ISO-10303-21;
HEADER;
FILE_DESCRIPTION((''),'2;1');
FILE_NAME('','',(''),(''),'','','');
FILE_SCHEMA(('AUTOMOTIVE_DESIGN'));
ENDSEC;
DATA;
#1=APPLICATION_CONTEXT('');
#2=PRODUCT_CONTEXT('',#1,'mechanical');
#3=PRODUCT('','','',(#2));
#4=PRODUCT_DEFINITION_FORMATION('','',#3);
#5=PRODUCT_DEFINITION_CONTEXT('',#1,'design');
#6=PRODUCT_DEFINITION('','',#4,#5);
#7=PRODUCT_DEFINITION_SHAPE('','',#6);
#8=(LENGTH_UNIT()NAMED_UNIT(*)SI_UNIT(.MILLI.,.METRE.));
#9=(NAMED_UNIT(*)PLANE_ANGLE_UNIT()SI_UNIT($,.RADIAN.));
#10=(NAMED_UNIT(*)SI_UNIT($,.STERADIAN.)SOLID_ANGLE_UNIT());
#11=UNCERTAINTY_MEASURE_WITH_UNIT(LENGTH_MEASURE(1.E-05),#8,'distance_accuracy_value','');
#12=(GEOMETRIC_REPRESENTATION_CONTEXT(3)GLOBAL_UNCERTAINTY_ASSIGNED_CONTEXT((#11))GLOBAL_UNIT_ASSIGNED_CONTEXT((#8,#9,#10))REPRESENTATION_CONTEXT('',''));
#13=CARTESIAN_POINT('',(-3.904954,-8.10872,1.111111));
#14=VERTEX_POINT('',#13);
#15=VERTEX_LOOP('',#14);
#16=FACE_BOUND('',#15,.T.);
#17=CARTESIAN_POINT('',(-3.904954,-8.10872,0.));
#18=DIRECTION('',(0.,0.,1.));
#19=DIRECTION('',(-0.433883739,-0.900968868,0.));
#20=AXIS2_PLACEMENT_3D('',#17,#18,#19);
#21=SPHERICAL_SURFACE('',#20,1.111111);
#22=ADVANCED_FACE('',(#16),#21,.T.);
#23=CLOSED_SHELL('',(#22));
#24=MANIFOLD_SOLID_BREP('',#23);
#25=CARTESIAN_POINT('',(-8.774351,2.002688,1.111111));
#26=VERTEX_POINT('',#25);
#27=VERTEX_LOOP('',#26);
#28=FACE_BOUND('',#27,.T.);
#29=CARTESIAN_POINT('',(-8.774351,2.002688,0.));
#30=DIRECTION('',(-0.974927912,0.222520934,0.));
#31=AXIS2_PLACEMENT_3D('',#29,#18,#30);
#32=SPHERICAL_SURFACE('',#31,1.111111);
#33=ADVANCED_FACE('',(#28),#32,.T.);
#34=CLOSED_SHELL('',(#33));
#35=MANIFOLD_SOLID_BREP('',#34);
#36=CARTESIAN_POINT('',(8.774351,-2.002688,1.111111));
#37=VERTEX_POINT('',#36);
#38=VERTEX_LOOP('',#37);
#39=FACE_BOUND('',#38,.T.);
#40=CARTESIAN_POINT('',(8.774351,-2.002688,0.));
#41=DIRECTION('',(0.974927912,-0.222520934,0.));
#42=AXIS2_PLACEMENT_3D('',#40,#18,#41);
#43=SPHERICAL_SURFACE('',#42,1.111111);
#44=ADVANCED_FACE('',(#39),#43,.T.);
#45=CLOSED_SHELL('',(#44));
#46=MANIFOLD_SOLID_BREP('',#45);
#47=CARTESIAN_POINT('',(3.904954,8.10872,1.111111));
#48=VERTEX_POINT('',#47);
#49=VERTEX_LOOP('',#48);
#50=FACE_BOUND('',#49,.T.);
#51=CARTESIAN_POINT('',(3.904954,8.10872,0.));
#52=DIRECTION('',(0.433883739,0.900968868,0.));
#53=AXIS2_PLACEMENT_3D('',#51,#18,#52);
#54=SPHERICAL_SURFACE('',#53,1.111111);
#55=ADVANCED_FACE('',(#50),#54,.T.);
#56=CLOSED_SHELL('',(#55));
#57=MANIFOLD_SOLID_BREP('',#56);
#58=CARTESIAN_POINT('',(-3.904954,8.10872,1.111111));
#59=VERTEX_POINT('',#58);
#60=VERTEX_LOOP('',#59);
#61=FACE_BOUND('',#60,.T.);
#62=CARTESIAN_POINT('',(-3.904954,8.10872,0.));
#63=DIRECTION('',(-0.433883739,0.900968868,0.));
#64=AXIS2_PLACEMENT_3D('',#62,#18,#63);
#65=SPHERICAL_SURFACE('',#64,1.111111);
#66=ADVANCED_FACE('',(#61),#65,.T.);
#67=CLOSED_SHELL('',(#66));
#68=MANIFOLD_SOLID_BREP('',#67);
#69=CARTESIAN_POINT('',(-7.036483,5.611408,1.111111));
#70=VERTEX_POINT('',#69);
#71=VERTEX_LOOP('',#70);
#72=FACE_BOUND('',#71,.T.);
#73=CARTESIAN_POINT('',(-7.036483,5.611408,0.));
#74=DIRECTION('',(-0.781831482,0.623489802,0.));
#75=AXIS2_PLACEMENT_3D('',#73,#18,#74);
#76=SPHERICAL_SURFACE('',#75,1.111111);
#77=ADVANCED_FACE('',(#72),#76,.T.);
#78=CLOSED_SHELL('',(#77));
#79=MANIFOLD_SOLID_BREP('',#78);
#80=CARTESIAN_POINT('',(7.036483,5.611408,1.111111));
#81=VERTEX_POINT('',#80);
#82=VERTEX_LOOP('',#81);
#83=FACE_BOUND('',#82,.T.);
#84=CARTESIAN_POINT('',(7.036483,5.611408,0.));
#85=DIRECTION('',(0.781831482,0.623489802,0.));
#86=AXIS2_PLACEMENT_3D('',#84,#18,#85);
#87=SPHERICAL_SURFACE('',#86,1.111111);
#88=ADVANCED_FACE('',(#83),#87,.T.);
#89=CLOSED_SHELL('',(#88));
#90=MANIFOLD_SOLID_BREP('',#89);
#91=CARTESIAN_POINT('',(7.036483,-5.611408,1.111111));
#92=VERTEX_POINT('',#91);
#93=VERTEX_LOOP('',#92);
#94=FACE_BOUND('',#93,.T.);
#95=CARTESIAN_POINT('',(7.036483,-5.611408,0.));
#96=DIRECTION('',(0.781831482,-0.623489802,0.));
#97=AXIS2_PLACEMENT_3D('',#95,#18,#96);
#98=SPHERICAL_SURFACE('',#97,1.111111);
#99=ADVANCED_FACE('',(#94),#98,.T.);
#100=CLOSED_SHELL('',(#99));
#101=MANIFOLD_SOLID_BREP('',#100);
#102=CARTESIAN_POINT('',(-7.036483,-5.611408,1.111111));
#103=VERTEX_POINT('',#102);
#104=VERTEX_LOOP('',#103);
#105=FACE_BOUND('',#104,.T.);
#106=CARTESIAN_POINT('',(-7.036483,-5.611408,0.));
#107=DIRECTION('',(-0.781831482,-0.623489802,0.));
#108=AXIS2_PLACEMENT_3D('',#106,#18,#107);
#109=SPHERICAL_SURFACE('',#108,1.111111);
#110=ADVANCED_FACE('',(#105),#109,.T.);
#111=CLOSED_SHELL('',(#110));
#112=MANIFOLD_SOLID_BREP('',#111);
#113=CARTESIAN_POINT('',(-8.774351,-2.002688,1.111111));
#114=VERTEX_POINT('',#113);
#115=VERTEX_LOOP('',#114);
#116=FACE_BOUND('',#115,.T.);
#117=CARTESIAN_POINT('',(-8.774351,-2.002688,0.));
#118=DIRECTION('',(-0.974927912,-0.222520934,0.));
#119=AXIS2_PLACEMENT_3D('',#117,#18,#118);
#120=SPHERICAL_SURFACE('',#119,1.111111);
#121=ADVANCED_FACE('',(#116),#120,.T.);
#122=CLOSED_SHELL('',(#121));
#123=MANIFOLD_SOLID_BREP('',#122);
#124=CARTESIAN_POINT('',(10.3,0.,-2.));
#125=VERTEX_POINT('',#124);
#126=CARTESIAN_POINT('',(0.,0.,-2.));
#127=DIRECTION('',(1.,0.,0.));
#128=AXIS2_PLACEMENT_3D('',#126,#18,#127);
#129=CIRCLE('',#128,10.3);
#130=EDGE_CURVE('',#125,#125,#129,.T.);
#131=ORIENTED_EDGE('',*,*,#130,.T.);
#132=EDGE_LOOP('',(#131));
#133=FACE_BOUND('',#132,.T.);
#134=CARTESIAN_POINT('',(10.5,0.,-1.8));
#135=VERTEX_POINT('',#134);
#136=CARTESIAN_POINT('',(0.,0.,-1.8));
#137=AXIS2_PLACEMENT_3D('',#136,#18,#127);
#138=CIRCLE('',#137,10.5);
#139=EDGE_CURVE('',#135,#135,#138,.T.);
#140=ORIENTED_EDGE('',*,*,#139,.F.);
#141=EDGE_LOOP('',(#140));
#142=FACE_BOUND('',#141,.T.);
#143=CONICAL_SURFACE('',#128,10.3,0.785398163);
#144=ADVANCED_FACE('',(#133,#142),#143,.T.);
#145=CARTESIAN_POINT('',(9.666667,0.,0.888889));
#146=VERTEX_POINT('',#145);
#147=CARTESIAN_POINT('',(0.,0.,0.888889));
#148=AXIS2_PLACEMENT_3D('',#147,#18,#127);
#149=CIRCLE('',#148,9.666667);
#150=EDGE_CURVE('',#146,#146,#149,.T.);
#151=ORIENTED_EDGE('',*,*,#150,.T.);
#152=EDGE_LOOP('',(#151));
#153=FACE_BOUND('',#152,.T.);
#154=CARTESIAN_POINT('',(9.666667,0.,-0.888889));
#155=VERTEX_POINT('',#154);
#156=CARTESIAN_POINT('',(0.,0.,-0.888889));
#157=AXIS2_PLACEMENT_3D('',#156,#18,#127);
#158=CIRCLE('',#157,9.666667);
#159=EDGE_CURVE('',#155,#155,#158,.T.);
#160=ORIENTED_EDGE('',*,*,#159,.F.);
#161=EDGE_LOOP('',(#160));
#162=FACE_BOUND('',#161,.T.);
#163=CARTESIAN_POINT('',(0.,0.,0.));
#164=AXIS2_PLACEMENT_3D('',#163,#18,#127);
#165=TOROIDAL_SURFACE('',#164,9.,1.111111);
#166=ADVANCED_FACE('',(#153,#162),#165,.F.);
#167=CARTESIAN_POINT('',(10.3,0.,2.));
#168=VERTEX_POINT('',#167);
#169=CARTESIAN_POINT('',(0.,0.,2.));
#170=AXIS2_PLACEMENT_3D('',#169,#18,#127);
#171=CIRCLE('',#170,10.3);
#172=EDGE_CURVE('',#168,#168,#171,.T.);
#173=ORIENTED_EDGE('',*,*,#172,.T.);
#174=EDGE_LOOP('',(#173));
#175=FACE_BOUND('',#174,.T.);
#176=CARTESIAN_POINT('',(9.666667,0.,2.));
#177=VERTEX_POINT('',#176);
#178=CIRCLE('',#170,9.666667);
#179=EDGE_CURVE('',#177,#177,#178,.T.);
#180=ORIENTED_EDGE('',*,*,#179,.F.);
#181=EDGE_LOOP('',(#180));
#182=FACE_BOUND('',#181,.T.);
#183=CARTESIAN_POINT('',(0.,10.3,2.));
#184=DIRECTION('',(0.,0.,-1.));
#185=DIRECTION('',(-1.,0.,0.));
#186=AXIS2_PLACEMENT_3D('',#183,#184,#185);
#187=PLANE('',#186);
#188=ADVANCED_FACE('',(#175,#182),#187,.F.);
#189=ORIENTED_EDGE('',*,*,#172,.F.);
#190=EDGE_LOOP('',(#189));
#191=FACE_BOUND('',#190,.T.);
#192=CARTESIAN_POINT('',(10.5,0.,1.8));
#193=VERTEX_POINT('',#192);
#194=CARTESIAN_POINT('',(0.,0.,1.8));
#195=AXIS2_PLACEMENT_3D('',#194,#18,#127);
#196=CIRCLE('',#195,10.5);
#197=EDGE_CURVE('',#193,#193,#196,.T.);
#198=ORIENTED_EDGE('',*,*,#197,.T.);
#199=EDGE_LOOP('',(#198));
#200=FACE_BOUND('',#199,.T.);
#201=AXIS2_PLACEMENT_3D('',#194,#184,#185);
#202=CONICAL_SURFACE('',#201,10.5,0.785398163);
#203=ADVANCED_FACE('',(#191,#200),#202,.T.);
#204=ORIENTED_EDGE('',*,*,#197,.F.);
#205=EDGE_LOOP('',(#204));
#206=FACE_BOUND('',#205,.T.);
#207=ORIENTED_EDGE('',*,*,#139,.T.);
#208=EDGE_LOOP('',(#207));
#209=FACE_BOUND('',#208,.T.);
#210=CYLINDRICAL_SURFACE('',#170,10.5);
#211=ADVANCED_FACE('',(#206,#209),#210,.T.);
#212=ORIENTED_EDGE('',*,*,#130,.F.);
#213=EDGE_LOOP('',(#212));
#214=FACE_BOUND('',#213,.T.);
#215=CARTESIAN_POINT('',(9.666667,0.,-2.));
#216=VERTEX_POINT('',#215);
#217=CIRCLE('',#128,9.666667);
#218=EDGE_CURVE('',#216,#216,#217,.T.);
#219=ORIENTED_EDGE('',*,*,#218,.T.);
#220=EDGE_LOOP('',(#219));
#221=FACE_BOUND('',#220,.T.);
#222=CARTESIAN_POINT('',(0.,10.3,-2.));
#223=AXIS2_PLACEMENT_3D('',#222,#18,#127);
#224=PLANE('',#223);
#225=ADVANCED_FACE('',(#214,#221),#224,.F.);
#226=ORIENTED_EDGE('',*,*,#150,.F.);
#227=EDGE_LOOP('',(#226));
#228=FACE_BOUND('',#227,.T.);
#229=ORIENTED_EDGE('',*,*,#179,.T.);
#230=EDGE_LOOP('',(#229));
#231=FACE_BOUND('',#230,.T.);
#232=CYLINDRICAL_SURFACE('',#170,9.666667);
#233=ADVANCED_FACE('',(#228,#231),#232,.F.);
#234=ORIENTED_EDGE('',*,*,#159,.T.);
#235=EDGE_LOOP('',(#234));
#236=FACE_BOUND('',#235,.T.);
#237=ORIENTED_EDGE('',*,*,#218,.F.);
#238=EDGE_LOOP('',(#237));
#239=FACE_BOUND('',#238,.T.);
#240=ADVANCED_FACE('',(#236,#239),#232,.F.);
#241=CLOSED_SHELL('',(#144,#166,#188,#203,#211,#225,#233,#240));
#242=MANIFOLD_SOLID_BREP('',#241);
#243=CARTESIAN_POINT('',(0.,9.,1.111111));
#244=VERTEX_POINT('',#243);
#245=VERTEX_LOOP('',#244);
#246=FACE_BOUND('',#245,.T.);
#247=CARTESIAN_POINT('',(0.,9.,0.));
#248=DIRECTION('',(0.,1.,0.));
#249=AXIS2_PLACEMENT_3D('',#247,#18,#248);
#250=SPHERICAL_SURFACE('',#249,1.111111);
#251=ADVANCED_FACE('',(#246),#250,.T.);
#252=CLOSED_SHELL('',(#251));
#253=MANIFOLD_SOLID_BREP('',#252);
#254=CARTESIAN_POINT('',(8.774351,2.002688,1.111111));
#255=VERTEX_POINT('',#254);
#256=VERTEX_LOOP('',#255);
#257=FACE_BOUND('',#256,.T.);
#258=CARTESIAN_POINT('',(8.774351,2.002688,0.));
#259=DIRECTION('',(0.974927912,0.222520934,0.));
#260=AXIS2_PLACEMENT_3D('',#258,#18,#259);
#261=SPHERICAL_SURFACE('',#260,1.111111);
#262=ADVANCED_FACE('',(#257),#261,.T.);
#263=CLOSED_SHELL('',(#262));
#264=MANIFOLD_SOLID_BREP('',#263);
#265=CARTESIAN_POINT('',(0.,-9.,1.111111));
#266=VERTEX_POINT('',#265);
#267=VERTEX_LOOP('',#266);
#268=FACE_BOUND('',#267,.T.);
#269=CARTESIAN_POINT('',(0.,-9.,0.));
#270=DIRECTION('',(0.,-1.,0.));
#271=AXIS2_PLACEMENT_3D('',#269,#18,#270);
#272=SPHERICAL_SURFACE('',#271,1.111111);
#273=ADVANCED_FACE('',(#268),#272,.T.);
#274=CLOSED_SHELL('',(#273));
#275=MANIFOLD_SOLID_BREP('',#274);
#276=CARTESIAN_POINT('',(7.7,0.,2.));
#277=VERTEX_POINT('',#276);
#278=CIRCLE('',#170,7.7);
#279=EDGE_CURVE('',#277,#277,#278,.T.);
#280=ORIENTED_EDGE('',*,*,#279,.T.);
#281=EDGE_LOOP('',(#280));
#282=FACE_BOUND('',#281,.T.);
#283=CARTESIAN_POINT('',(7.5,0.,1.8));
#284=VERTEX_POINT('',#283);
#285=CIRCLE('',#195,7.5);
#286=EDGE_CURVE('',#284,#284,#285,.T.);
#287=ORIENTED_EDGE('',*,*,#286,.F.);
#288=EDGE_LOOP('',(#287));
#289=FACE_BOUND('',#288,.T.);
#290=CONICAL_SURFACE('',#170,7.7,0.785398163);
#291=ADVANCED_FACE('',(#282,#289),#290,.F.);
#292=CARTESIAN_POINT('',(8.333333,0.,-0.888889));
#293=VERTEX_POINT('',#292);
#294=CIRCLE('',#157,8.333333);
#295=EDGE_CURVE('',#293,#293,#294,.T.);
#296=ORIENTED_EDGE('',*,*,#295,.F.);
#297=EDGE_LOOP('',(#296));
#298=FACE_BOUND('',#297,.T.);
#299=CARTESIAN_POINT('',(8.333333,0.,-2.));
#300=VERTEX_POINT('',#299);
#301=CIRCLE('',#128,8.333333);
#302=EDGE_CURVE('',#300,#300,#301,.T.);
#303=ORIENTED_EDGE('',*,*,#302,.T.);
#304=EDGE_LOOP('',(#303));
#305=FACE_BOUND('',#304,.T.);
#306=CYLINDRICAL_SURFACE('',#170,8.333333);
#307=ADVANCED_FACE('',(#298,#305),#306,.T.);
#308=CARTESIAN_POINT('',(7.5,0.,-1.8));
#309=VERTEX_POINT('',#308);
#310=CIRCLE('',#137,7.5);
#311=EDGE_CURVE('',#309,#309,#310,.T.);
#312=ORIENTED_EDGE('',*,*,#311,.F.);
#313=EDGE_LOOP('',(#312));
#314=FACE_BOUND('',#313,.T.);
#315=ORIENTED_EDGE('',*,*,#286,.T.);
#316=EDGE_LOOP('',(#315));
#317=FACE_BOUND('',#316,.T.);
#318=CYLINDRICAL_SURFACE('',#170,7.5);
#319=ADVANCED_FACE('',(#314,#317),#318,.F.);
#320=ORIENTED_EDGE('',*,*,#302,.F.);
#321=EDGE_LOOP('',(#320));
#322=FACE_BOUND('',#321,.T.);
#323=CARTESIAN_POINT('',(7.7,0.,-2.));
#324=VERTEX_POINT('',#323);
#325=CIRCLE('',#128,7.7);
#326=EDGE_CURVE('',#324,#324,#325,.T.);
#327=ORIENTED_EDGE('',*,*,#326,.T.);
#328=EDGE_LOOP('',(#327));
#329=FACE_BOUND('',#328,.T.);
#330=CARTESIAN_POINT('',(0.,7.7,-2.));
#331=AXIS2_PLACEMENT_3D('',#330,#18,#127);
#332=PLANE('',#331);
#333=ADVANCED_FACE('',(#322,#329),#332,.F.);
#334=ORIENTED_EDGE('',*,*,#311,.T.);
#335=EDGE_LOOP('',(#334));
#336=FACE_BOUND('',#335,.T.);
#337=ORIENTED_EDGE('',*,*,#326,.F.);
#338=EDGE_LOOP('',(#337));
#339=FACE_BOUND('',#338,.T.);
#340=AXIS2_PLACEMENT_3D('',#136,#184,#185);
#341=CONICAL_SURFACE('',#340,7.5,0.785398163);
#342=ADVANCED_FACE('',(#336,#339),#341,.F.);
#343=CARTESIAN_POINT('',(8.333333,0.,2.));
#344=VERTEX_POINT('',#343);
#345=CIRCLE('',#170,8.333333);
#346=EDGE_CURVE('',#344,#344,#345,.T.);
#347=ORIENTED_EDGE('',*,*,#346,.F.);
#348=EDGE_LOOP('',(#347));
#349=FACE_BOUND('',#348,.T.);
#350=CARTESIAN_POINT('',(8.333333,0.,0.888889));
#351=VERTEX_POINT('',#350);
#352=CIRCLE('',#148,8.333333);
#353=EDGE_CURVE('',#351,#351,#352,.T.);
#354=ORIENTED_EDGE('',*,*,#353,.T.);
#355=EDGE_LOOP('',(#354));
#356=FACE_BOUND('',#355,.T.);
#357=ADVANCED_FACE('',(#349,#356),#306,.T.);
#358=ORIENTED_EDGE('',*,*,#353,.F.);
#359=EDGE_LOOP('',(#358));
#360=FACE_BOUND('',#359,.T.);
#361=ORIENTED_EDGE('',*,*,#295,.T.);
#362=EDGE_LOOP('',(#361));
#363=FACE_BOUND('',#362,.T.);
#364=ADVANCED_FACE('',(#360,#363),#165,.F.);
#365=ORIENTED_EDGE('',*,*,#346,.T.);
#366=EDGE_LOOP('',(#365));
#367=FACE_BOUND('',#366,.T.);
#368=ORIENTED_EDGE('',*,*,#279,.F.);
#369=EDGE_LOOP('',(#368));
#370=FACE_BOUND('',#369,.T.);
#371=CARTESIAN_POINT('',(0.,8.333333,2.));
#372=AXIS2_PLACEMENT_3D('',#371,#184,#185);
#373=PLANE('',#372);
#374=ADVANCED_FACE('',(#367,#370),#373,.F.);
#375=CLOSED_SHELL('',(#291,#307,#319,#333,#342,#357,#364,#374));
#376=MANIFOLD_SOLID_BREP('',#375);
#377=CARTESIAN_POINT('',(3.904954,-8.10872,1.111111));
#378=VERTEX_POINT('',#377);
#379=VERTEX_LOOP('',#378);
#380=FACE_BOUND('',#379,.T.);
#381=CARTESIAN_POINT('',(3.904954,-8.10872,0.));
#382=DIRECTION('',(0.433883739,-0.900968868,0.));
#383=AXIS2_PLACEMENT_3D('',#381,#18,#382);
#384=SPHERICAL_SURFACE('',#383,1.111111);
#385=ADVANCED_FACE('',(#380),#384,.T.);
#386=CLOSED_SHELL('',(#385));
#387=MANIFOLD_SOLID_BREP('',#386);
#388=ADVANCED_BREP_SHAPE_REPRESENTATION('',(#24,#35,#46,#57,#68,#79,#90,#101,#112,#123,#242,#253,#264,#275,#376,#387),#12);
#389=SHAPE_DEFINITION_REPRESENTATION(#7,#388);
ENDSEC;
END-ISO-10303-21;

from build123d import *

# Parameters (mm, degrees)
CIRPATTERN1_COUNT = 14


with BuildPart() as part:
    # Sketch5 → Revolve1 (revolve)
    with BuildSketch(Plane(origin=(0, 0, 0), x_dir=(0, 0, -1), z_dir=(1, 0, 0))):
        with BuildLine():
            Line((1.8, 10.5), (-1.8, 10.5))
            Line((-1.8, 10.5), (-2, 10.3))
            Line((-2, 10.3), (-2, 9.666666667))
            Line((-2, 9.666666667), (-0.888888889, 9.666666667))
            ThreePointArc((-0.888888889, 9.666666667), (0, 10.111111111), (0.888888889, 9.666666667))
            Line((0.888888889, 9.666666667), (2, 9.666666667))
            Line((2, 9.666666667), (2, 10.3))
            Line((2, 10.3), (1.8, 10.5))
        make_face()
    revolve(axis=Axis((0, 0, 2), (0, 0, -1)))


with BuildPart() as body_2:
    # Sketch3 → Revolve3 (revolve)
    with BuildSketch(Plane(origin=(0, 0, 0), x_dir=(0, 0, -1), z_dir=(1, 0, 0))):
        with BuildLine():
            Line((-2, 8.333333333), (-0.888888889, 8.333333333))
            ThreePointArc((-0.888888889, 8.333333333), (0, 7.888888889), (0.888888889, 8.333333333))
            Line((0.888888889, 8.333333333), (2, 8.333333333))
            Line((2, 8.333333333), (2, 7.7))
            Line((2, 7.7), (1.8, 7.5))
            Line((1.8, 7.5), (-1.8, 7.5))
            Line((-1.8, 7.5), (-2, 7.7))
            Line((-2, 7.7), (-2, 8.333333333))
        make_face()
    revolve(axis=Axis((0, 0, 2), (0, 0, -1)))


with BuildPart() as body_3:
    # Sketch4 → Revolve4 (revolve)
    with BuildSketch(Plane(origin=(0, 0, 0), x_dir=(0, 0, -1), z_dir=(1, 0, 0))):
        with BuildLine():
            Line((-1.111111111, 9), (1.111111111, 9))
            ThreePointArc((1.111111111, 9), (0, 10.111111111), (-1.111111111, 9))
        make_face()
    revolve(axis=Axis((0, 9, 1.111111111), (0, 0, -1)))


with BuildPart() as cirpattern1_1:
    # CirPattern1: pattern copy
    add(body_3.part.rotate(Axis((0, 0, 0), (0, 0, 1)), 1 * 360 / CIRPATTERN1_COUNT))


with BuildPart() as cirpattern1_2:
    # CirPattern1: pattern copy
    add(body_3.part.rotate(Axis((0, 0, 0), (0, 0, 1)), 2 * 360 / CIRPATTERN1_COUNT))


with BuildPart() as cirpattern1_3:
    # CirPattern1: pattern copy
    add(body_3.part.rotate(Axis((0, 0, 0), (0, 0, 1)), 3 * 360 / CIRPATTERN1_COUNT))


with BuildPart() as cirpattern1_4:
    # CirPattern1: pattern copy
    add(body_3.part.rotate(Axis((0, 0, 0), (0, 0, 1)), 4 * 360 / CIRPATTERN1_COUNT))


with BuildPart() as cirpattern1_5:
    # CirPattern1: pattern copy
    add(body_3.part.rotate(Axis((0, 0, 0), (0, 0, 1)), 5 * 360 / CIRPATTERN1_COUNT))


with BuildPart() as cirpattern1_6:
    # CirPattern1: pattern copy
    add(body_3.part.rotate(Axis((0, 0, 0), (0, 0, 1)), 6 * 360 / CIRPATTERN1_COUNT))


with BuildPart() as cirpattern1_7:
    # CirPattern1: pattern copy
    add(body_3.part.rotate(Axis((0, 0, 0), (0, 0, 1)), 7 * 360 / CIRPATTERN1_COUNT))


with BuildPart() as cirpattern1_8:
    # CirPattern1: pattern copy
    add(body_3.part.rotate(Axis((0, 0, 0), (0, 0, 1)), 8 * 360 / CIRPATTERN1_COUNT))


with BuildPart() as cirpattern1_9:
    # CirPattern1: pattern copy
    add(body_3.part.rotate(Axis((0, 0, 0), (0, 0, 1)), 9 * 360 / CIRPATTERN1_COUNT))


with BuildPart() as cirpattern1_10:
    # CirPattern1: pattern copy
    add(body_3.part.rotate(Axis((0, 0, 0), (0, 0, 1)), 10 * 360 / CIRPATTERN1_COUNT))


with BuildPart() as cirpattern1_11:
    # CirPattern1: pattern copy
    add(body_3.part.rotate(Axis((0, 0, 0), (0, 0, 1)), 11 * 360 / CIRPATTERN1_COUNT))


with BuildPart() as cirpattern1_12:
    # CirPattern1: pattern copy
    add(body_3.part.rotate(Axis((0, 0, 0), (0, 0, 1)), 12 * 360 / CIRPATTERN1_COUNT))


with BuildPart() as cirpattern1_13:
    # CirPattern1: pattern copy
    add(body_3.part.rotate(Axis((0, 0, 0), (0, 0, 1)), 13 * 360 / CIRPATTERN1_COUNT))


solid = Compound([part.part, body_2.part, body_3.part, cirpattern1_1.part, cirpattern1_2.part, cirpattern1_3.part, cirpattern1_4.part, cirpattern1_5.part, cirpattern1_6.part, cirpattern1_7.part, cirpattern1_8.part, cirpattern1_9.part, cirpattern1_10.part, cirpattern1_11.part, cirpattern1_12.part, cirpattern1_13.part])
